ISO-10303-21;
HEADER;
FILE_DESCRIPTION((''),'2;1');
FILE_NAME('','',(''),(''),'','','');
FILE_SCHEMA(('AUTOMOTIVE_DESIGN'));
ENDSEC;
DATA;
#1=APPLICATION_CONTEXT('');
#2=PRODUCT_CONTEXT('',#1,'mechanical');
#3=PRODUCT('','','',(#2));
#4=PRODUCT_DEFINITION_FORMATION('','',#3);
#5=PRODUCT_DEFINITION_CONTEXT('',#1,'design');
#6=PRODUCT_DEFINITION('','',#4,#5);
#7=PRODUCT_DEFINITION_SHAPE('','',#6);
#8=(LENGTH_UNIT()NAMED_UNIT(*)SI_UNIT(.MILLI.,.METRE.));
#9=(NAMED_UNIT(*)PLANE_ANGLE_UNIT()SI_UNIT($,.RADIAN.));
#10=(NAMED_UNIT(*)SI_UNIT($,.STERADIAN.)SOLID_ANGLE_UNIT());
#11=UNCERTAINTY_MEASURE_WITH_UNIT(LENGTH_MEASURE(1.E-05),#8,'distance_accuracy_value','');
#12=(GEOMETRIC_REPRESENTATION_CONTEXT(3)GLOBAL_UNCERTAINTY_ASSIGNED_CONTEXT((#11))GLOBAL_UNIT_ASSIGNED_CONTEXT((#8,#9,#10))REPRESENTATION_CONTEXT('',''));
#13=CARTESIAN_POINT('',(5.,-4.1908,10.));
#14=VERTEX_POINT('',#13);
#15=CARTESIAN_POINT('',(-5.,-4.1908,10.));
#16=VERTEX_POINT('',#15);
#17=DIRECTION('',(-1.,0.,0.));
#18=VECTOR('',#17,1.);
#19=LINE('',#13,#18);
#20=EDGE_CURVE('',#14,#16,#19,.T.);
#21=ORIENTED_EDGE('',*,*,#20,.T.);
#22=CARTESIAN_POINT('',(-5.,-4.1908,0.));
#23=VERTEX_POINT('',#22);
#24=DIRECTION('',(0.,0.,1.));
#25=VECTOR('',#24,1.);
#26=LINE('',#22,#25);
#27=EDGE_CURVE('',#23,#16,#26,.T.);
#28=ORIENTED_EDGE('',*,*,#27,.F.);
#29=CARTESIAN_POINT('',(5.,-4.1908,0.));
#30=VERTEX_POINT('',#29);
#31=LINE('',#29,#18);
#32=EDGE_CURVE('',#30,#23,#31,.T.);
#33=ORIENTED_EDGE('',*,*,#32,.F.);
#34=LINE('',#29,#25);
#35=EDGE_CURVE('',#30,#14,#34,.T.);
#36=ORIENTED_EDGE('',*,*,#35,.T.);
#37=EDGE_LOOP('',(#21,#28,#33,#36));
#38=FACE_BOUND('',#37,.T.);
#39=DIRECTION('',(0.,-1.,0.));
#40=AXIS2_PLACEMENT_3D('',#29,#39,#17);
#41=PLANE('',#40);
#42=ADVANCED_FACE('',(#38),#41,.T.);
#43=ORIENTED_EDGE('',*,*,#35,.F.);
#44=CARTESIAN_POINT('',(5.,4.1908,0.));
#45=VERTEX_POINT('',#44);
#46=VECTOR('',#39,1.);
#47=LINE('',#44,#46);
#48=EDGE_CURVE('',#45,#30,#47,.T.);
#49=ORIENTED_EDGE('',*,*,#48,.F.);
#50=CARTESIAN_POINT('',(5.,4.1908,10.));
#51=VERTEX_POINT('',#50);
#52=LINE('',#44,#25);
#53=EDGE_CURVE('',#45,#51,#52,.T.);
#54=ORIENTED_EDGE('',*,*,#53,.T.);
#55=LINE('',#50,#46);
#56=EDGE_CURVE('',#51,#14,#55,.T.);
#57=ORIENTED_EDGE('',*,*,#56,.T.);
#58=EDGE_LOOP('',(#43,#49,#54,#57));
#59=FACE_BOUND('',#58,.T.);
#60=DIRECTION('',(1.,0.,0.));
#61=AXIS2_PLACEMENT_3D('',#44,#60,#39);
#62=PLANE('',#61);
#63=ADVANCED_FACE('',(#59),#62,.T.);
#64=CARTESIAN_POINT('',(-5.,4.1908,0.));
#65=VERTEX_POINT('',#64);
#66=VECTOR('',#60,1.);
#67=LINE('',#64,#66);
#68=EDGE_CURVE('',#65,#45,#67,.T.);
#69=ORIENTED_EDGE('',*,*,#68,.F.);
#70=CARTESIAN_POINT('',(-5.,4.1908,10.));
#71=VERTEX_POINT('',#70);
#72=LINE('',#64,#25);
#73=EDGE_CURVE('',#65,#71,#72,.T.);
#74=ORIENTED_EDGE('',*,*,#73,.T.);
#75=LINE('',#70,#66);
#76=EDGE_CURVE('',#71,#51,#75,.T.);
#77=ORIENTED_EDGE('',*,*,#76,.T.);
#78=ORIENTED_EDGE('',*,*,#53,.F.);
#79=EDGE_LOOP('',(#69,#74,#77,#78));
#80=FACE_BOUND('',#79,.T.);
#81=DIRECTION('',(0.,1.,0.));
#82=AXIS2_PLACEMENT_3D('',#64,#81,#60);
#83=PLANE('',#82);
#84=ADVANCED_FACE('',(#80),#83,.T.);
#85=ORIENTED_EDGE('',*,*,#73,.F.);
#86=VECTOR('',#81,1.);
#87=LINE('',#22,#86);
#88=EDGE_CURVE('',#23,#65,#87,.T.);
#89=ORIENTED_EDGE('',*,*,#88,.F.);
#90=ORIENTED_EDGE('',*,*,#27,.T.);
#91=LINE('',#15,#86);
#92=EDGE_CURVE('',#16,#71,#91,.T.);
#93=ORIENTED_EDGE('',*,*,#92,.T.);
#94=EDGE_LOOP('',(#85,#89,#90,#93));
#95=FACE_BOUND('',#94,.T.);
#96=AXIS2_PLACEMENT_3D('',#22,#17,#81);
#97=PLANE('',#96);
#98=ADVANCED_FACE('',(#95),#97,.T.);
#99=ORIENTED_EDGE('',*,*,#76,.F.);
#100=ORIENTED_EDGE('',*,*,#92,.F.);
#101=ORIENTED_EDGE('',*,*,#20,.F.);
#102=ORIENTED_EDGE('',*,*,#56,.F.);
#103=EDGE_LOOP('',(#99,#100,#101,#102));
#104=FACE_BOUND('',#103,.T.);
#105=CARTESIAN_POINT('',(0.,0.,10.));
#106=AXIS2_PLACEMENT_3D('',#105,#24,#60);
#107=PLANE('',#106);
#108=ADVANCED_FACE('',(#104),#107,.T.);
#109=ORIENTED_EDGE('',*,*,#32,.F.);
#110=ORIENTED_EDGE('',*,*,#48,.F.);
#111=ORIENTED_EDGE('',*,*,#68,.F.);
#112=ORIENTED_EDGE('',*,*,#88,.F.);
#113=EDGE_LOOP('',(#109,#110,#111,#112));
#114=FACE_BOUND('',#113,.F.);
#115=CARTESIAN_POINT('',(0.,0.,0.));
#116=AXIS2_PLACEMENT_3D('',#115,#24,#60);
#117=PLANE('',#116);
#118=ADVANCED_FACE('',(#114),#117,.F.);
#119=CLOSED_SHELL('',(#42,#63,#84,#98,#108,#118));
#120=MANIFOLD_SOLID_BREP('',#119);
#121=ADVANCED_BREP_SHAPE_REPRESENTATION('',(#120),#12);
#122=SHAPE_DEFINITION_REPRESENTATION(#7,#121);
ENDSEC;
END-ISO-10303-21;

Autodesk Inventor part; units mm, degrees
ref_plane "YZ Plane" through (0, 0, 0) normal (1, 0, 0) x (0, 1, 0)
ref_plane "XZ Plane" through (0, 0, 0) normal (0, 1, 0) x (-1, 0, 0)
ref_plane "XY Plane" through (0, 0, 0) normal (0, 0, 1) x (1, 0, 0)
sketch "草图1" plane through (0, 0, 0) normal (0, 0, 1) x (1, 0, 0)
  line L0 (5, -4.1908) -> (-5, -4.1908)
  line L1 (-5, -4.1908) -> (-5, 4.1908)
  line L2 (-5, 4.1908) -> (5, 4.1908)
  line L3 (5, 4.1908) -> (5, -4.1908)
  line L4 (5, -4.1908) -> (-5, 4.1908) construction
  line L5 (-5, -4.1908) -> (5, 4.1908) construction
  point P0 (0, 0)
  dimension "d0" = 10
extrude "拉伸1" add sketch "草图1" along normal blind 10
properties part number "前纸铲纸"
